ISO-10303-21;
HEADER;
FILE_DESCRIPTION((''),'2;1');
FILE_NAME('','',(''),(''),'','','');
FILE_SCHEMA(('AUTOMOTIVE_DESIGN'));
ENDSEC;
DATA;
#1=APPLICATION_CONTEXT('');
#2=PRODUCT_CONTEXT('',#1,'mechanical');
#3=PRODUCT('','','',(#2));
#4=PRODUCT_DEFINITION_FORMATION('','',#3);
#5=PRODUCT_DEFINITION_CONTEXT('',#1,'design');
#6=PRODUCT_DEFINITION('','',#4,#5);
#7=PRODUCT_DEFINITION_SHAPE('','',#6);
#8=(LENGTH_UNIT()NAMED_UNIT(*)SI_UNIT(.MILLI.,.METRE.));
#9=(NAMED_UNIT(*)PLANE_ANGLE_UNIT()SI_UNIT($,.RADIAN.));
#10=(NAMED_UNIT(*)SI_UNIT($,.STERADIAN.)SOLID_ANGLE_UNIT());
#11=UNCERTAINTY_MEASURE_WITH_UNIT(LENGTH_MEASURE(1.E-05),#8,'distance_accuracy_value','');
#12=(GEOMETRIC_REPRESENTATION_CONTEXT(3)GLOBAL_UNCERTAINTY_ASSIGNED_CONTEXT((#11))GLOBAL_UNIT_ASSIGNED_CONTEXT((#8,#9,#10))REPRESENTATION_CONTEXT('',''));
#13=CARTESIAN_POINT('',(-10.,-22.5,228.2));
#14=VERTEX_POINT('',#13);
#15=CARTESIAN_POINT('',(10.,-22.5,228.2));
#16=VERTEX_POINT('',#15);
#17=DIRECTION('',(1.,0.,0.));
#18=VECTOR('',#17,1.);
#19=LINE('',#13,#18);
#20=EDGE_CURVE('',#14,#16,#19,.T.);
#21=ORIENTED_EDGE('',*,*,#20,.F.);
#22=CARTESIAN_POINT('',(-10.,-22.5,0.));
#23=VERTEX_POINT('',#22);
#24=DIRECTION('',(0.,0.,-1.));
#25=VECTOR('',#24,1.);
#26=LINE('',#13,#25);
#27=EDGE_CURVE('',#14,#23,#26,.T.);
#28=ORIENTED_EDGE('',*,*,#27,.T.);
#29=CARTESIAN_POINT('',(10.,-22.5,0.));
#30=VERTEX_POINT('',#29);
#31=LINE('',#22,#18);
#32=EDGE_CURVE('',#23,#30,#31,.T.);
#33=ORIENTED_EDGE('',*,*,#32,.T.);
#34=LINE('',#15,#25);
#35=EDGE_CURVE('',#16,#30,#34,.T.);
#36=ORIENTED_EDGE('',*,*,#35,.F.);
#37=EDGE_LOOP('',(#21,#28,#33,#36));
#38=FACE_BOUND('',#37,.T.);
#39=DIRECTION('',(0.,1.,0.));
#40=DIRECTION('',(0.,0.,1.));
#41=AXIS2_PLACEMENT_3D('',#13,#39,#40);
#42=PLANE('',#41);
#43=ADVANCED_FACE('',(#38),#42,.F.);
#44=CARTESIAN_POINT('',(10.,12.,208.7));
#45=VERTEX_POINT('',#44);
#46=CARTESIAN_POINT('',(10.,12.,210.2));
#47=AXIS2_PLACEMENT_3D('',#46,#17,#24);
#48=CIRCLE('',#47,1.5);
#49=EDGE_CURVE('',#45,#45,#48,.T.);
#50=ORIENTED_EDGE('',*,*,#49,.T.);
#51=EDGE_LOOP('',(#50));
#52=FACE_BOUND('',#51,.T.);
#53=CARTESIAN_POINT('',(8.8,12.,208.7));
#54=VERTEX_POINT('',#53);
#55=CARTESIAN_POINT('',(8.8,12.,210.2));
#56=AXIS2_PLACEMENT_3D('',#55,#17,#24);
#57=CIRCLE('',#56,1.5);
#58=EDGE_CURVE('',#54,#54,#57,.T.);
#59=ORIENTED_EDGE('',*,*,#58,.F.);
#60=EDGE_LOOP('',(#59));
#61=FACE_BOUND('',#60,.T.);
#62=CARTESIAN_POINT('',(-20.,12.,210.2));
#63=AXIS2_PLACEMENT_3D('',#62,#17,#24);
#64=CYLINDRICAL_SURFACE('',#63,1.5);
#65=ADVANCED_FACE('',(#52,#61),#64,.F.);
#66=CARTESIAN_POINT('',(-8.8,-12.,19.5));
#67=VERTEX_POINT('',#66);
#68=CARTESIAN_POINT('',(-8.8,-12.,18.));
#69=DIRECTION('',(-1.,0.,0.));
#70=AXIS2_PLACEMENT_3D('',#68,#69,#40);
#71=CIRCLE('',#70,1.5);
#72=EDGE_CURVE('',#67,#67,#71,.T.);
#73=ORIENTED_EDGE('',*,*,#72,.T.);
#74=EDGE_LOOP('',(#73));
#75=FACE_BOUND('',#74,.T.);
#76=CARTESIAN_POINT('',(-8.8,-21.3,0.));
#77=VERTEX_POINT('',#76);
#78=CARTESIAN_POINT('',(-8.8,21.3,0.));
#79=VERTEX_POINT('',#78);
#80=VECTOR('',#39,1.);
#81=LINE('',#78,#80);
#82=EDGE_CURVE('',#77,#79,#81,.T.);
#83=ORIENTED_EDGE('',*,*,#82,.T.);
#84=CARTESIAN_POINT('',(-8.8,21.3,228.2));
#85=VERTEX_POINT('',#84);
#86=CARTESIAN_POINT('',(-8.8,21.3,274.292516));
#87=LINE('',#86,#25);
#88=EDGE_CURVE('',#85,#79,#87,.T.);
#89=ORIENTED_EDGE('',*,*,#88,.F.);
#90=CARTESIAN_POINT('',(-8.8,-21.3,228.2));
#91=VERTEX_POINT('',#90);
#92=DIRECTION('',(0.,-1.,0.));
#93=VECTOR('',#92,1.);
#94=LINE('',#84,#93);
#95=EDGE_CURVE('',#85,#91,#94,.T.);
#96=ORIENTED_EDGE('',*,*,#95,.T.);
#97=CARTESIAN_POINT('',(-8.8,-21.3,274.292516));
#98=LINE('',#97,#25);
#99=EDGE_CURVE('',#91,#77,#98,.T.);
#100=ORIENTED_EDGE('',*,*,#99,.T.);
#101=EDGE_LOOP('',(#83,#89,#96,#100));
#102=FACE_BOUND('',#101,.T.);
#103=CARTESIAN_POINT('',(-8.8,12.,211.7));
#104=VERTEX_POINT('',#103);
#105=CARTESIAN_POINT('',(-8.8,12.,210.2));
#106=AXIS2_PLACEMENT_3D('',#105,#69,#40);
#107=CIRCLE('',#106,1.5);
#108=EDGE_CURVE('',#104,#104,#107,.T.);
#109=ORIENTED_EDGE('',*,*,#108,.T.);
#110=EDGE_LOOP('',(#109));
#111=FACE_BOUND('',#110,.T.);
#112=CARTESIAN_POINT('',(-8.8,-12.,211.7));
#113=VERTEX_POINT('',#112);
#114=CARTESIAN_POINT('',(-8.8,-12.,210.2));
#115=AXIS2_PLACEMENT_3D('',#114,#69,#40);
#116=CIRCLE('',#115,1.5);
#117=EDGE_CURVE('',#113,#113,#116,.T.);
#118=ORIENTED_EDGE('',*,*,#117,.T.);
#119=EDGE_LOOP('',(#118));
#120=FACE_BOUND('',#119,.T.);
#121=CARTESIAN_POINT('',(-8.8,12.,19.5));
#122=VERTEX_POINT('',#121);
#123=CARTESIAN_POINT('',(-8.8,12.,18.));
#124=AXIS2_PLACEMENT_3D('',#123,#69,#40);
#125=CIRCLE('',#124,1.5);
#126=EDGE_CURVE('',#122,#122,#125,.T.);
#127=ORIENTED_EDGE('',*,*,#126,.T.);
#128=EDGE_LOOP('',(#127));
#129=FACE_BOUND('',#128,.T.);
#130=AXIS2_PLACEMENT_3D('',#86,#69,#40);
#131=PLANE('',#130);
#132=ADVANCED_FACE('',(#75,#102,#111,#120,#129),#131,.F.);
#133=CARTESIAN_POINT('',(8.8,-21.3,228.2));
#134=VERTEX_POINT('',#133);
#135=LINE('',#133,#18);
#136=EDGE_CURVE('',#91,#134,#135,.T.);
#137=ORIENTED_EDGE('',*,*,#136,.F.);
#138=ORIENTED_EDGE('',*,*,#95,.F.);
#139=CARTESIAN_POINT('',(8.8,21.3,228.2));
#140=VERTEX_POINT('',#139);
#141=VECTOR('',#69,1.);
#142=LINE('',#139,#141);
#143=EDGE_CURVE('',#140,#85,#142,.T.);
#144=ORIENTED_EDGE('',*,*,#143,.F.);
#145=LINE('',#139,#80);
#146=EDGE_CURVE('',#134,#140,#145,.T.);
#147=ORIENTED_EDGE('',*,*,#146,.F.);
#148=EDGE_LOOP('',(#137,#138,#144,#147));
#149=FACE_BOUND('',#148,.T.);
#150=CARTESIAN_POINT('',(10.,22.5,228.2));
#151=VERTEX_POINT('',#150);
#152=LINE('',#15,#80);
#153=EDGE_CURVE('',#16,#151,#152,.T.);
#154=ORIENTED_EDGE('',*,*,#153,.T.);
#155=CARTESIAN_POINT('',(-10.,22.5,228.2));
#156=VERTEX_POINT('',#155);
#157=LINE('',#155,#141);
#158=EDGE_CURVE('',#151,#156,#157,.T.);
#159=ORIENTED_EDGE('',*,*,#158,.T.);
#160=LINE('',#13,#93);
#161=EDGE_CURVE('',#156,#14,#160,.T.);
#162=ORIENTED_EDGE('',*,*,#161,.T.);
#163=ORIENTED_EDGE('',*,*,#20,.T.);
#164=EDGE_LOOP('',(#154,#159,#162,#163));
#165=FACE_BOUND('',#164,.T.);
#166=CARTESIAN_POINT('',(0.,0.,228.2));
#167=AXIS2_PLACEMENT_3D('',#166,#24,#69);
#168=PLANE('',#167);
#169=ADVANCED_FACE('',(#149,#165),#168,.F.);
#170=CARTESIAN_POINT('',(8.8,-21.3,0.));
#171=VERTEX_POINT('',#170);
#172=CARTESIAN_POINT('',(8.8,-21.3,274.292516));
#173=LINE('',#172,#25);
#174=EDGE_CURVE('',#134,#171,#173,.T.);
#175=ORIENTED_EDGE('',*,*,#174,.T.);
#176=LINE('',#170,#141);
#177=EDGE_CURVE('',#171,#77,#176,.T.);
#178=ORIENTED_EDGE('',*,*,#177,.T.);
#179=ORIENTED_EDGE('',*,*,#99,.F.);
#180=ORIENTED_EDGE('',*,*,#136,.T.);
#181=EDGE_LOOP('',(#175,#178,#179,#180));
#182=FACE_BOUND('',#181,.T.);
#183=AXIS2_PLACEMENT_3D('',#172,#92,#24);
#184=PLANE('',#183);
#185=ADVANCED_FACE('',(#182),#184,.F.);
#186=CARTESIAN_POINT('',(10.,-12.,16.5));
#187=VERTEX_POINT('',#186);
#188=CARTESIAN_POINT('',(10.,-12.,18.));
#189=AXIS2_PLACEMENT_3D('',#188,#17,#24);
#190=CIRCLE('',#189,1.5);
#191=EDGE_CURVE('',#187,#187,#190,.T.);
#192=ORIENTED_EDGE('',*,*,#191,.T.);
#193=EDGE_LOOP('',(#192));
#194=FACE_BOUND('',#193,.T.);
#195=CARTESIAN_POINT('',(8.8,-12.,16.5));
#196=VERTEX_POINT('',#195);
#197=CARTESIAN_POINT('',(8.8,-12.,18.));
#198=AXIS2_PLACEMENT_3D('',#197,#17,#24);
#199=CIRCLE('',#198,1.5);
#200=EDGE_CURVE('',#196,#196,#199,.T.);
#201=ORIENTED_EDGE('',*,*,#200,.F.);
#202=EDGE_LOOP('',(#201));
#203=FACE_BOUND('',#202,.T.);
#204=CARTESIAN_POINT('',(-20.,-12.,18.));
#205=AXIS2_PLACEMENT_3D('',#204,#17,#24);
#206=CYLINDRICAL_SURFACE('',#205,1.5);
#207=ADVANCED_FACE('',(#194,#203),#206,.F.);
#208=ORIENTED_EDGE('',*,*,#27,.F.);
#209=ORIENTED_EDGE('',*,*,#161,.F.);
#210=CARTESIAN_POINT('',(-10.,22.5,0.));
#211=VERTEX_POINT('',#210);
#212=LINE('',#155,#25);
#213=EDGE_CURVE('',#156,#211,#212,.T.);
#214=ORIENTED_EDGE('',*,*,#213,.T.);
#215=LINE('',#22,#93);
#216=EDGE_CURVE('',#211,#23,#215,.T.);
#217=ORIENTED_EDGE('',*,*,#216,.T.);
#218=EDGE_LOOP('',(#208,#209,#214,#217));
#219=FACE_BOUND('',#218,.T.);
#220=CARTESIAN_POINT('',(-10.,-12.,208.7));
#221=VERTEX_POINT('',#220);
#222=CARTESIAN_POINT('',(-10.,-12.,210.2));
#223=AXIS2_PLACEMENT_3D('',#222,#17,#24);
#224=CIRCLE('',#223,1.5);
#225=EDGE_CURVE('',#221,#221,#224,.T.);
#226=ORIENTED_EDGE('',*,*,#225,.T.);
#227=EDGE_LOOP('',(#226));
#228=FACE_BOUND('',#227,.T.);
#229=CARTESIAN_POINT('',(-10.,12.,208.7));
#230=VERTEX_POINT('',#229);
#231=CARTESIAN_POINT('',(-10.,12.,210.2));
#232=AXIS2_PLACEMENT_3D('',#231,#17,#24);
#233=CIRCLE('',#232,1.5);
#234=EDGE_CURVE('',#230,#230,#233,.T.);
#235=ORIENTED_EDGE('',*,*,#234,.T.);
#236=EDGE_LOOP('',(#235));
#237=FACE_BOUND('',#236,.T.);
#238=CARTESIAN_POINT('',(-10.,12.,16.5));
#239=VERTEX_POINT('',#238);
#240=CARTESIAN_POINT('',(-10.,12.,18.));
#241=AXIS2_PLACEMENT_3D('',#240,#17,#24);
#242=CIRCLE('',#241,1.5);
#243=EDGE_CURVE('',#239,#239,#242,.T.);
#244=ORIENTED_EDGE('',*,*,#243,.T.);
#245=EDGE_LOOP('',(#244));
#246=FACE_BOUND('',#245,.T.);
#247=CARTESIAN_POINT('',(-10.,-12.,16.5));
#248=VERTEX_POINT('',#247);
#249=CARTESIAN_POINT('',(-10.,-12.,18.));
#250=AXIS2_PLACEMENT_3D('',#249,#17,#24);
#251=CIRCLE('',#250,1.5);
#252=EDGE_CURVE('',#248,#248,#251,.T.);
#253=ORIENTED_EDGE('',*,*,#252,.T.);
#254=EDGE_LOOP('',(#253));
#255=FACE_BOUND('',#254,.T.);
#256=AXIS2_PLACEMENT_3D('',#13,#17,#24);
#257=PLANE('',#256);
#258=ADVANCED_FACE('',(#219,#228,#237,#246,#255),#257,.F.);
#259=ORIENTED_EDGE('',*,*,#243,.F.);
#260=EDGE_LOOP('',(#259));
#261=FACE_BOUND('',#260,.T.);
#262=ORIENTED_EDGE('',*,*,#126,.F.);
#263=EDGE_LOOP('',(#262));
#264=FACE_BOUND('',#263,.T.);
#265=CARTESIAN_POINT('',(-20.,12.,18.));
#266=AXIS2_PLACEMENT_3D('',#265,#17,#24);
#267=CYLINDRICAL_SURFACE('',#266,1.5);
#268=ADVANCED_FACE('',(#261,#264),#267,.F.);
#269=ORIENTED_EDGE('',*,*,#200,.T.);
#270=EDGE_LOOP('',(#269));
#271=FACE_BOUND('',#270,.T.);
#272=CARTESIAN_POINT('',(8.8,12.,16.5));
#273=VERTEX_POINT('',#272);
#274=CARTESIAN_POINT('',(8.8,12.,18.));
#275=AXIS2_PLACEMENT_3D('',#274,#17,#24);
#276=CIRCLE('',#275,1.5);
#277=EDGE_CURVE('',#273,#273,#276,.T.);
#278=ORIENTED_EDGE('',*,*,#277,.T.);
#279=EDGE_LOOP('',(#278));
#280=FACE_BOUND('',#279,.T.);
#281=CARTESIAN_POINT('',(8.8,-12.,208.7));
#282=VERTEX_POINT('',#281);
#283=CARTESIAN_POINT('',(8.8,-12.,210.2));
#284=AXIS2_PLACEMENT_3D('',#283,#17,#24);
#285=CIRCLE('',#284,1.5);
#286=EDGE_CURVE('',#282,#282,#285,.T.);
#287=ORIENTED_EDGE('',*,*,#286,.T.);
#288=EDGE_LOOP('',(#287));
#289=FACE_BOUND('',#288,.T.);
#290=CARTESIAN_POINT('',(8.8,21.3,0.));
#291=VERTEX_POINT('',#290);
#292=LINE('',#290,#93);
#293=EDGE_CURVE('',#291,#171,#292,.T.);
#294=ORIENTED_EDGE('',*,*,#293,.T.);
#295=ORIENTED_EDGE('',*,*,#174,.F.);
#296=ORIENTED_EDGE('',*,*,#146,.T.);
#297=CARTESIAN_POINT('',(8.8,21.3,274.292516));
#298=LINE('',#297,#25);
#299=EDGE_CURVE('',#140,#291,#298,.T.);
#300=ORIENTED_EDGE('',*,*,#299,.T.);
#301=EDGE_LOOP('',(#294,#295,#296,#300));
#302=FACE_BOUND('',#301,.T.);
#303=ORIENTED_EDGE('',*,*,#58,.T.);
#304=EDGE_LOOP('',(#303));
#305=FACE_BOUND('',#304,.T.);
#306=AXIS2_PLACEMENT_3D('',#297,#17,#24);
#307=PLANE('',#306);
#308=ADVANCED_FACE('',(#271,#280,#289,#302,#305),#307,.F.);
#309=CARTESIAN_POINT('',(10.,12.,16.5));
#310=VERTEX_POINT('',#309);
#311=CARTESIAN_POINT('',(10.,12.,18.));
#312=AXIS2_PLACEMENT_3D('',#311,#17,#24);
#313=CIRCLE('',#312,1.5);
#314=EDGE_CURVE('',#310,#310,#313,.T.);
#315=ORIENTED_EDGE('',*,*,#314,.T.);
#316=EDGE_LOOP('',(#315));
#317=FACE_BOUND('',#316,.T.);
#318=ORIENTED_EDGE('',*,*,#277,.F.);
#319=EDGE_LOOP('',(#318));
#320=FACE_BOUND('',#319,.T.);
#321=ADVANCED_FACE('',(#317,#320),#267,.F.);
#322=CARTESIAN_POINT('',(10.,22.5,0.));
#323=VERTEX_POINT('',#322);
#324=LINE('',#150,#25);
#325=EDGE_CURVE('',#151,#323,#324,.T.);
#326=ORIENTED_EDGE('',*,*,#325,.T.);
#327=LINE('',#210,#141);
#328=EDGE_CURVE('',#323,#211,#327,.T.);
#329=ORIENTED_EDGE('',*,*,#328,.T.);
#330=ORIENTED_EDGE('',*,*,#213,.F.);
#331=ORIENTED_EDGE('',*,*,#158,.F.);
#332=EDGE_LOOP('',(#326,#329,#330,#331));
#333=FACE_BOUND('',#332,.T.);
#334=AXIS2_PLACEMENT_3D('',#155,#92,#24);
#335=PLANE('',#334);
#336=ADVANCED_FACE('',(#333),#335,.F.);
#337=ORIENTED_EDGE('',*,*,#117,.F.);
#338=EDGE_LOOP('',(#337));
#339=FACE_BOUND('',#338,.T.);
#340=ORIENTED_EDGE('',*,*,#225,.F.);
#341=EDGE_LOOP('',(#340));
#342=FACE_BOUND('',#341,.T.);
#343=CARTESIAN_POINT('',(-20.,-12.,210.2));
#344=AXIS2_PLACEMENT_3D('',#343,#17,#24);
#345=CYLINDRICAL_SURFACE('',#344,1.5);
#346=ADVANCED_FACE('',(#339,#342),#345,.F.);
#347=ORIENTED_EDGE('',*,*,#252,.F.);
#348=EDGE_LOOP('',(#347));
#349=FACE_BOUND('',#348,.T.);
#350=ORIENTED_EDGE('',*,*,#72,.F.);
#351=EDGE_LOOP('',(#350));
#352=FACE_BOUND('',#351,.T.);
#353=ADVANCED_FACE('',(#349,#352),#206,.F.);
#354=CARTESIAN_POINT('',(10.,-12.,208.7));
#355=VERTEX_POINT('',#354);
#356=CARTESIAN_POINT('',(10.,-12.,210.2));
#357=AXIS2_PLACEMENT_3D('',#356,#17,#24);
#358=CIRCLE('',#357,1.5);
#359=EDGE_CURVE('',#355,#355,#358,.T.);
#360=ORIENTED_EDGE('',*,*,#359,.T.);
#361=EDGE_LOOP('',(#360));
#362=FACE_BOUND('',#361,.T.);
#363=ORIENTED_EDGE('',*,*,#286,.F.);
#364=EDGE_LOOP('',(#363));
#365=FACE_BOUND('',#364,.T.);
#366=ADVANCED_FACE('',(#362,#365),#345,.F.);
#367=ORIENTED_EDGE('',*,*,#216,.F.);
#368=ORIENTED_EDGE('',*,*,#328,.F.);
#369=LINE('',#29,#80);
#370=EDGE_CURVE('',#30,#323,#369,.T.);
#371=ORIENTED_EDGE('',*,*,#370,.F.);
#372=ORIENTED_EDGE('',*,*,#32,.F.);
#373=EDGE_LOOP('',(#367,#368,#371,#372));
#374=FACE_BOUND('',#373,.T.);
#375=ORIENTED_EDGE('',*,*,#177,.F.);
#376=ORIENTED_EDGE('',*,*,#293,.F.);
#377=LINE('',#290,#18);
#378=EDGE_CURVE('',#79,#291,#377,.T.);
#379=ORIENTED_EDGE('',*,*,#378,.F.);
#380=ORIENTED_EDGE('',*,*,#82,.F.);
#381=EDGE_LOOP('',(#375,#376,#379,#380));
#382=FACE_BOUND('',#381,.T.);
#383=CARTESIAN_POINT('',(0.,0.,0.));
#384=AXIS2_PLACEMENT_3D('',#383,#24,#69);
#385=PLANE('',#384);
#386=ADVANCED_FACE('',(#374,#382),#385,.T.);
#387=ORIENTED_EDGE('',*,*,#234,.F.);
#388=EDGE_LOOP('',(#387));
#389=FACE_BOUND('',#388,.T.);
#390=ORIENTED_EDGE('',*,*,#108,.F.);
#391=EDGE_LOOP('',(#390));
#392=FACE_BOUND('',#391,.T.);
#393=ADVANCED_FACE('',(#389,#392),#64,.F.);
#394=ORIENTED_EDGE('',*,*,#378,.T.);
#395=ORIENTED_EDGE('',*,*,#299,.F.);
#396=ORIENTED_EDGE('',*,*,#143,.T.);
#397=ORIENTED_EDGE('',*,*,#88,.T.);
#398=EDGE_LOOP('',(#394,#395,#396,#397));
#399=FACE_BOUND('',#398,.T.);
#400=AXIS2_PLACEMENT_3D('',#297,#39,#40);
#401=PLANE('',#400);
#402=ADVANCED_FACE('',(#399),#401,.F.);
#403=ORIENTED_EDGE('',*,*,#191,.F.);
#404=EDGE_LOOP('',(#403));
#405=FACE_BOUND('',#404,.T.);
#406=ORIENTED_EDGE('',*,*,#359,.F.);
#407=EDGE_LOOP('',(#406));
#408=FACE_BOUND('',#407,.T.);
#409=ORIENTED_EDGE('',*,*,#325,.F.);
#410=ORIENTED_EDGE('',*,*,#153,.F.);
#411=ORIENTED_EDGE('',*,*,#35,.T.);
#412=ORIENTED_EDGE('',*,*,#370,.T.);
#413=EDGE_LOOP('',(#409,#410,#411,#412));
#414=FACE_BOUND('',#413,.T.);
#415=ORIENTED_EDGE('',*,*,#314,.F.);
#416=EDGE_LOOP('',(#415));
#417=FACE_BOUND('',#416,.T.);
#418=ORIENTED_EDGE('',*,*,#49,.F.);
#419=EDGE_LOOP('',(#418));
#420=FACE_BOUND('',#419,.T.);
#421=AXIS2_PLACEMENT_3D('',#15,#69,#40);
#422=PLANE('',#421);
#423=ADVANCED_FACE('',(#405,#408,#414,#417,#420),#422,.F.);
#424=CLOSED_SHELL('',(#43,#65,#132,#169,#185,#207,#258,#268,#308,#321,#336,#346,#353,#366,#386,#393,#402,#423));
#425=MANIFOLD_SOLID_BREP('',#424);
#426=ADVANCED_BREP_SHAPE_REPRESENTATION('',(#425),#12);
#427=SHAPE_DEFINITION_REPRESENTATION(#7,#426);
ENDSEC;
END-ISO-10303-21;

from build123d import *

# Parameters (mm, degrees)
CROQUIS1_W              = 20
CROQUIS1_H              = 45
SALIENTE_EXTRUIR1_DEPTH = 228.2
CROQUIS5_W              = 17.6
CROQUIS5_H              = 42.6
CORTAR_EXTRUIR3_DEPTH   = 228.2
CROQUIS6_R              = 1.5
CORTAR_EXTRUIR4_DEPTH   = 30


with BuildPart() as part:
    # Croquis1 → Saliente-Extruir1 (new body)
    with BuildSketch(Plane.XY):
        Rectangle(CROQUIS1_W, CROQUIS1_H)
    extrude(amount=SALIENTE_EXTRUIR1_DEPTH)

    # Croquis5 → Cortar-Extruir3 (cut)
    with BuildSketch(Plane(origin=(0, 0, 0), x_dir=(-1, 0, 0), z_dir=(0, 0, -1))):
        Rectangle(CROQUIS5_W, CROQUIS5_H)
    extrude(amount=-CORTAR_EXTRUIR3_DEPTH, mode=Mode.SUBTRACT)

    # Croquis6 → Cortar-Extruir4 (cut)
    with BuildSketch(Plane(origin=(10, 0, 0), x_dir=(0, 0, -1), z_dir=(1, 0, 0))):
        with Locations((-210.2, -12)):
            Circle(CROQUIS6_R)
        with Locations((-210.2, 12)):
            Circle(CROQUIS6_R)
        with Locations((-18, 12)):
            Circle(CROQUIS6_R)
        with Locations((-18, -12)):
            Circle(CROQUIS6_R)
    extrude(amount=-CORTAR_EXTRUIR4_DEPTH, mode=Mode.SUBTRACT)


solid = part.part
